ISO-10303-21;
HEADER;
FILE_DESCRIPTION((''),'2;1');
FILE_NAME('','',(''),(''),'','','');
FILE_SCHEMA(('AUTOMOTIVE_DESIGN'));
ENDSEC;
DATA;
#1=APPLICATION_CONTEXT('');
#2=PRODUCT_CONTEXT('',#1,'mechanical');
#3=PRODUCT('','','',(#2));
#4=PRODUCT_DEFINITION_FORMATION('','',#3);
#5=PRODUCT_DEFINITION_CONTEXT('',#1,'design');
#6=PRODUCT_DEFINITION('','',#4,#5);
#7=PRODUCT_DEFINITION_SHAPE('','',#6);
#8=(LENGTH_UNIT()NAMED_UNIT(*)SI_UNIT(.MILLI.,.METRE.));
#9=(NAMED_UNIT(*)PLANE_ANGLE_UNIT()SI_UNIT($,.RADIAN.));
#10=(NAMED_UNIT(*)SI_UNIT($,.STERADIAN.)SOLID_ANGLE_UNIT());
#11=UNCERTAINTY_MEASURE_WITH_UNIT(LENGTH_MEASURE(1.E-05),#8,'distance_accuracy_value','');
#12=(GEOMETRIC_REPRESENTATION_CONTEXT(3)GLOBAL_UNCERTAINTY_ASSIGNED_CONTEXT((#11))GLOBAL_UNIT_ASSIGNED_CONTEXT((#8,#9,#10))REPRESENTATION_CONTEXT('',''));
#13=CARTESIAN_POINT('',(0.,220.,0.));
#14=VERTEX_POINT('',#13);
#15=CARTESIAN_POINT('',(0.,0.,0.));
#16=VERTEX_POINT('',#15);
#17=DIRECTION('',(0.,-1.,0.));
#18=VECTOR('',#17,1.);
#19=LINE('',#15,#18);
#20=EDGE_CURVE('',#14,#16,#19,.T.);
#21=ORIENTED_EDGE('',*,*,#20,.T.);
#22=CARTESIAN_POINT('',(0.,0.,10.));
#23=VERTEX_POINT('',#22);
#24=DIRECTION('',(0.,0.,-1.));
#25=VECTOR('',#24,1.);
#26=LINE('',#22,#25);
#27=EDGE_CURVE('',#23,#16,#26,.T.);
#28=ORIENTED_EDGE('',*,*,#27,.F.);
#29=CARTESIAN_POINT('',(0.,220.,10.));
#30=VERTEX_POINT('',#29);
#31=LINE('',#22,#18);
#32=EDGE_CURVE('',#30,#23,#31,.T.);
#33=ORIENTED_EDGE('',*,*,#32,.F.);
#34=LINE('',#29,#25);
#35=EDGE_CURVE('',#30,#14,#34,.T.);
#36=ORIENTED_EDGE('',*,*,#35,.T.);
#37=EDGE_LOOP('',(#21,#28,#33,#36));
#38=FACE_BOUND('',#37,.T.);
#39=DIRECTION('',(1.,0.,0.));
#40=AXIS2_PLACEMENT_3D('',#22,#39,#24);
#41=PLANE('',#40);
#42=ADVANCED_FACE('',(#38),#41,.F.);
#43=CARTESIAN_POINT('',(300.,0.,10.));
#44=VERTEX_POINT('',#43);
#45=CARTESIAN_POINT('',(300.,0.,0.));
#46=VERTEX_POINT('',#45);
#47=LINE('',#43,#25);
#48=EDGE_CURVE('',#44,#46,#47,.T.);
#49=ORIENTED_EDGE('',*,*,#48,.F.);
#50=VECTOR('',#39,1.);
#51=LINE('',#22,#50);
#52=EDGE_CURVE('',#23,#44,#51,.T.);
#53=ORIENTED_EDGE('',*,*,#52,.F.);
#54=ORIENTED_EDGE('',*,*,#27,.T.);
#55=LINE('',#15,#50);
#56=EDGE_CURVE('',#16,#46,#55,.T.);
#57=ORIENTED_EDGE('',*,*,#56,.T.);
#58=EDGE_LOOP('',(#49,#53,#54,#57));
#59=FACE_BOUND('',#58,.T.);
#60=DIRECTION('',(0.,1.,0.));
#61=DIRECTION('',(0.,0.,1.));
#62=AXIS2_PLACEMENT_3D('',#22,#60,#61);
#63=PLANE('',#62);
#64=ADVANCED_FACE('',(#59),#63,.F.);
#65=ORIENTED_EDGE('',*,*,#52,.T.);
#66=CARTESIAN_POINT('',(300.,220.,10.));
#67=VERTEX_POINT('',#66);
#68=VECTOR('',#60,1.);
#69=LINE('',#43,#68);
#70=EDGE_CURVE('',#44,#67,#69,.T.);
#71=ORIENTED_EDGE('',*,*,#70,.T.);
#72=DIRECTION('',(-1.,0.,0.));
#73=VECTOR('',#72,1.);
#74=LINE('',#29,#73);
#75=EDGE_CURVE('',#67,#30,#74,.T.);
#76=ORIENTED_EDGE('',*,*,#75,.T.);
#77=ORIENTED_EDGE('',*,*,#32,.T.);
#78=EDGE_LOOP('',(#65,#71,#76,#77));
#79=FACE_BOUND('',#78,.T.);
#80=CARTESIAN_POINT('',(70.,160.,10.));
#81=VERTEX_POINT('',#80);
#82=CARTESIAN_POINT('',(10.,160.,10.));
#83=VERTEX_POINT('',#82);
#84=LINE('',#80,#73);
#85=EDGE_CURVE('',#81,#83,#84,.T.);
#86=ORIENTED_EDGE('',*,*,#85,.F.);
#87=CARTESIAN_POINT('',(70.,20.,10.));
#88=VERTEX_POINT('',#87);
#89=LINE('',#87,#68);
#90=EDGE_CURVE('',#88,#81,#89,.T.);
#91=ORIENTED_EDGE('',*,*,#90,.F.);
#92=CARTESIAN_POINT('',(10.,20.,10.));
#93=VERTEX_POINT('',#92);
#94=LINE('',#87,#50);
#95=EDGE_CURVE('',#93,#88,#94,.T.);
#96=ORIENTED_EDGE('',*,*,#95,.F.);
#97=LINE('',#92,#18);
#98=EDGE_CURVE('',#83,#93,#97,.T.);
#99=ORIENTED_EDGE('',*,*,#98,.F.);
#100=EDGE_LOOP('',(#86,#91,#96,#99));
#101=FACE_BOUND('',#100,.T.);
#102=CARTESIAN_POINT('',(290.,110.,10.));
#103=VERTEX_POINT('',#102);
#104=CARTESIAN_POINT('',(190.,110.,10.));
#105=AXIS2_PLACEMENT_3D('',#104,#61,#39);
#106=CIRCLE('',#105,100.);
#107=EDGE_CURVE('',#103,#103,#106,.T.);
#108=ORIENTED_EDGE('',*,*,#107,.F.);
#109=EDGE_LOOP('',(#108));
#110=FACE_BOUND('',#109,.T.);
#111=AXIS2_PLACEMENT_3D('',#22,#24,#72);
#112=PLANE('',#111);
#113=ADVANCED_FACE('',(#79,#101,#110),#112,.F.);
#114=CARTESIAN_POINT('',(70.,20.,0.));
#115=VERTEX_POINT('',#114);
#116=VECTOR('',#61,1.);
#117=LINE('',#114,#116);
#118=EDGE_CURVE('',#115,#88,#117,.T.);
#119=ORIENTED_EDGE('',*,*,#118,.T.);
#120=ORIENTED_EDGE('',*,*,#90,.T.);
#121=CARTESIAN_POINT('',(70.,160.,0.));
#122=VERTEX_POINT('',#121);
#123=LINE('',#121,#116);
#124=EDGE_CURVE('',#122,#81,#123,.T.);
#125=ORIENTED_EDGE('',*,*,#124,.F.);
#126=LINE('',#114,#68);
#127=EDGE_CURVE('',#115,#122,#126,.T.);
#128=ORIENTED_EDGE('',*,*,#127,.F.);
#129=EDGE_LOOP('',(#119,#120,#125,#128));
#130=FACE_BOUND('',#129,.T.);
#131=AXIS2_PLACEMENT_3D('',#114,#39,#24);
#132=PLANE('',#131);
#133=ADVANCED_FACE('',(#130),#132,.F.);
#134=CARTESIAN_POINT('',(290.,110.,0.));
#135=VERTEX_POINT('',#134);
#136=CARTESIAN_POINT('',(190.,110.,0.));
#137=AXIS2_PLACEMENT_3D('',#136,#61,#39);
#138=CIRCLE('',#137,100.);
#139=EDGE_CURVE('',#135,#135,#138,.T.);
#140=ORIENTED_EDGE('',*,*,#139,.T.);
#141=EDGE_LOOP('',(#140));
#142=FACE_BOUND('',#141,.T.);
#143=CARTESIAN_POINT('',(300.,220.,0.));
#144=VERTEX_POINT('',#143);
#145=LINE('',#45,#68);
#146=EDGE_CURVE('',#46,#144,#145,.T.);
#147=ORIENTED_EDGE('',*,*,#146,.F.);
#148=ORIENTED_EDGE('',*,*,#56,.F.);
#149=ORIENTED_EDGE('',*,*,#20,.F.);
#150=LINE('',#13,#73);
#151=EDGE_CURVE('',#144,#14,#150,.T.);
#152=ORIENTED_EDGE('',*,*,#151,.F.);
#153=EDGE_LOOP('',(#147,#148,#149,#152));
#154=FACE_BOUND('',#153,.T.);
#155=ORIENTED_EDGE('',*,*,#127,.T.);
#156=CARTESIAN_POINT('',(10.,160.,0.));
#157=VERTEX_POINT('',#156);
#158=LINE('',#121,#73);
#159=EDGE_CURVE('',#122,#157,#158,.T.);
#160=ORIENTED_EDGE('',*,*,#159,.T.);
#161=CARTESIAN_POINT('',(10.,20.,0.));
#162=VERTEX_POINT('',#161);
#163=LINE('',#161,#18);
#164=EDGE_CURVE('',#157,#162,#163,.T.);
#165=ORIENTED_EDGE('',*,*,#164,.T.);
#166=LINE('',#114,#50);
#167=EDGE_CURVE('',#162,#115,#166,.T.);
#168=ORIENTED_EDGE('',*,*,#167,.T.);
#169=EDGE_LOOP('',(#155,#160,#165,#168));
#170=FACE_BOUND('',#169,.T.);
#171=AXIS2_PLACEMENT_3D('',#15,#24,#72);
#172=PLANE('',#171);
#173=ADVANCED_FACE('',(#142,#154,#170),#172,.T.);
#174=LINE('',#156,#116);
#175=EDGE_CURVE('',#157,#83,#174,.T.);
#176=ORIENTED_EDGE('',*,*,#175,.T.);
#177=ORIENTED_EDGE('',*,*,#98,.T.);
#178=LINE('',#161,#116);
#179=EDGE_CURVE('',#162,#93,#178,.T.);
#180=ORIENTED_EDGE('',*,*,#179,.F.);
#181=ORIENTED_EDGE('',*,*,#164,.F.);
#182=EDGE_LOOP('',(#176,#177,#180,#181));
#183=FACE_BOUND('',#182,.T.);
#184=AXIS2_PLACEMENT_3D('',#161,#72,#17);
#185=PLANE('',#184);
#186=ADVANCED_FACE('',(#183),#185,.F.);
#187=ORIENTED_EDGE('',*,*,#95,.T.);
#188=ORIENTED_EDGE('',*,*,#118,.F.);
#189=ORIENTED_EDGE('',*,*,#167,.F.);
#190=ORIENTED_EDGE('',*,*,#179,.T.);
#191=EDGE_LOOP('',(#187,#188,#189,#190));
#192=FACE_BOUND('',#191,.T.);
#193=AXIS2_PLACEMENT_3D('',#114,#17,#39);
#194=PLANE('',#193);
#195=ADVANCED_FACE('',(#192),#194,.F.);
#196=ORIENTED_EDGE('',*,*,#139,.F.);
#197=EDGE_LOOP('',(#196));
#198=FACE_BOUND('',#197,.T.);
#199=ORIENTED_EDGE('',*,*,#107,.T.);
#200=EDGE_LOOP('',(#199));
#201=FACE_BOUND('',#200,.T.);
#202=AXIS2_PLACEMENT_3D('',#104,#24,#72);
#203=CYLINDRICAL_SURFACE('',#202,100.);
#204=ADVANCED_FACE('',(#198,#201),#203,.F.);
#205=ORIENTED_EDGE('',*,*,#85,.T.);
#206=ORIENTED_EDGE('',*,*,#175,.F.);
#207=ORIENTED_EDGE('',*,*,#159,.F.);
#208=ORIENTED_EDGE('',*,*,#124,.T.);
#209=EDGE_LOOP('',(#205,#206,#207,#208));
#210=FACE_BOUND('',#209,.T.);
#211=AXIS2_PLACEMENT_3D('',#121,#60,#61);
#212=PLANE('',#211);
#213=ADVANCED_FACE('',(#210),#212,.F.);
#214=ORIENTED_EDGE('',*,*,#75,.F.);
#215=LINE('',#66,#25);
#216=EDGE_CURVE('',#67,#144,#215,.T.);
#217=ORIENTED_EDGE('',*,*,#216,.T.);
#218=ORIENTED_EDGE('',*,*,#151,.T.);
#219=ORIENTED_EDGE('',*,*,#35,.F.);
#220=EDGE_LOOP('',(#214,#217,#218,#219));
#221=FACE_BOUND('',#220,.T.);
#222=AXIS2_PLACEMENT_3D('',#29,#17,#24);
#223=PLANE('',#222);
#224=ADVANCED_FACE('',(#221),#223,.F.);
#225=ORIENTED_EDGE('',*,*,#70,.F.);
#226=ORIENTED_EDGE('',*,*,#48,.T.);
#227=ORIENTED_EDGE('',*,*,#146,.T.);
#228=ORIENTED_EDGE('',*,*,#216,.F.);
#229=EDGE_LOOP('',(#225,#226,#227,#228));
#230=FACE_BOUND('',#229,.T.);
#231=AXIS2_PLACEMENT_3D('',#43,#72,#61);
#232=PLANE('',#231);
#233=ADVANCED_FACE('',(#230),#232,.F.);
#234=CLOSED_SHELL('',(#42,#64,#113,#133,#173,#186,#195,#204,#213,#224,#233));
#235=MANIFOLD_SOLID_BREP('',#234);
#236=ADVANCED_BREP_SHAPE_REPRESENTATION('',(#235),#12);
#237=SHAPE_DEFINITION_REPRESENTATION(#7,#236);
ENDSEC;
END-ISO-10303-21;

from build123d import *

# Parameters (mm, degrees)
CROQUIS1_W              = 300
CROQUIS1_H              = 220
CROQUIS1_R              = 100
SALIENTE_EXTRUIR1_DEPTH = 10
CROQUIS2_W              = 60
CROQUIS2_H              = 140
CORTAR_EXTRUIR1_DEPTH   = 10


with BuildPart() as part:
    # Croquis1 → Saliente-Extruir1 (new body)
    with BuildSketch(Plane.XY):
        with Locations((150, 110)):
            Rectangle(CROQUIS1_W, CROQUIS1_H)
        with Locations((190, 110)):
            Circle(CROQUIS1_R, mode=Mode.SUBTRACT)
    extrude(amount=SALIENTE_EXTRUIR1_DEPTH)

    # Croquis2 → Cortar-Extruir1 (cut)
    with BuildSketch(Plane.XY.offset(10)):
        with Locations((40, 90)):
            Rectangle(CROQUIS2_W, CROQUIS2_H)
    extrude(amount=-CORTAR_EXTRUIR1_DEPTH, mode=Mode.SUBTRACT)


solid = part.part
